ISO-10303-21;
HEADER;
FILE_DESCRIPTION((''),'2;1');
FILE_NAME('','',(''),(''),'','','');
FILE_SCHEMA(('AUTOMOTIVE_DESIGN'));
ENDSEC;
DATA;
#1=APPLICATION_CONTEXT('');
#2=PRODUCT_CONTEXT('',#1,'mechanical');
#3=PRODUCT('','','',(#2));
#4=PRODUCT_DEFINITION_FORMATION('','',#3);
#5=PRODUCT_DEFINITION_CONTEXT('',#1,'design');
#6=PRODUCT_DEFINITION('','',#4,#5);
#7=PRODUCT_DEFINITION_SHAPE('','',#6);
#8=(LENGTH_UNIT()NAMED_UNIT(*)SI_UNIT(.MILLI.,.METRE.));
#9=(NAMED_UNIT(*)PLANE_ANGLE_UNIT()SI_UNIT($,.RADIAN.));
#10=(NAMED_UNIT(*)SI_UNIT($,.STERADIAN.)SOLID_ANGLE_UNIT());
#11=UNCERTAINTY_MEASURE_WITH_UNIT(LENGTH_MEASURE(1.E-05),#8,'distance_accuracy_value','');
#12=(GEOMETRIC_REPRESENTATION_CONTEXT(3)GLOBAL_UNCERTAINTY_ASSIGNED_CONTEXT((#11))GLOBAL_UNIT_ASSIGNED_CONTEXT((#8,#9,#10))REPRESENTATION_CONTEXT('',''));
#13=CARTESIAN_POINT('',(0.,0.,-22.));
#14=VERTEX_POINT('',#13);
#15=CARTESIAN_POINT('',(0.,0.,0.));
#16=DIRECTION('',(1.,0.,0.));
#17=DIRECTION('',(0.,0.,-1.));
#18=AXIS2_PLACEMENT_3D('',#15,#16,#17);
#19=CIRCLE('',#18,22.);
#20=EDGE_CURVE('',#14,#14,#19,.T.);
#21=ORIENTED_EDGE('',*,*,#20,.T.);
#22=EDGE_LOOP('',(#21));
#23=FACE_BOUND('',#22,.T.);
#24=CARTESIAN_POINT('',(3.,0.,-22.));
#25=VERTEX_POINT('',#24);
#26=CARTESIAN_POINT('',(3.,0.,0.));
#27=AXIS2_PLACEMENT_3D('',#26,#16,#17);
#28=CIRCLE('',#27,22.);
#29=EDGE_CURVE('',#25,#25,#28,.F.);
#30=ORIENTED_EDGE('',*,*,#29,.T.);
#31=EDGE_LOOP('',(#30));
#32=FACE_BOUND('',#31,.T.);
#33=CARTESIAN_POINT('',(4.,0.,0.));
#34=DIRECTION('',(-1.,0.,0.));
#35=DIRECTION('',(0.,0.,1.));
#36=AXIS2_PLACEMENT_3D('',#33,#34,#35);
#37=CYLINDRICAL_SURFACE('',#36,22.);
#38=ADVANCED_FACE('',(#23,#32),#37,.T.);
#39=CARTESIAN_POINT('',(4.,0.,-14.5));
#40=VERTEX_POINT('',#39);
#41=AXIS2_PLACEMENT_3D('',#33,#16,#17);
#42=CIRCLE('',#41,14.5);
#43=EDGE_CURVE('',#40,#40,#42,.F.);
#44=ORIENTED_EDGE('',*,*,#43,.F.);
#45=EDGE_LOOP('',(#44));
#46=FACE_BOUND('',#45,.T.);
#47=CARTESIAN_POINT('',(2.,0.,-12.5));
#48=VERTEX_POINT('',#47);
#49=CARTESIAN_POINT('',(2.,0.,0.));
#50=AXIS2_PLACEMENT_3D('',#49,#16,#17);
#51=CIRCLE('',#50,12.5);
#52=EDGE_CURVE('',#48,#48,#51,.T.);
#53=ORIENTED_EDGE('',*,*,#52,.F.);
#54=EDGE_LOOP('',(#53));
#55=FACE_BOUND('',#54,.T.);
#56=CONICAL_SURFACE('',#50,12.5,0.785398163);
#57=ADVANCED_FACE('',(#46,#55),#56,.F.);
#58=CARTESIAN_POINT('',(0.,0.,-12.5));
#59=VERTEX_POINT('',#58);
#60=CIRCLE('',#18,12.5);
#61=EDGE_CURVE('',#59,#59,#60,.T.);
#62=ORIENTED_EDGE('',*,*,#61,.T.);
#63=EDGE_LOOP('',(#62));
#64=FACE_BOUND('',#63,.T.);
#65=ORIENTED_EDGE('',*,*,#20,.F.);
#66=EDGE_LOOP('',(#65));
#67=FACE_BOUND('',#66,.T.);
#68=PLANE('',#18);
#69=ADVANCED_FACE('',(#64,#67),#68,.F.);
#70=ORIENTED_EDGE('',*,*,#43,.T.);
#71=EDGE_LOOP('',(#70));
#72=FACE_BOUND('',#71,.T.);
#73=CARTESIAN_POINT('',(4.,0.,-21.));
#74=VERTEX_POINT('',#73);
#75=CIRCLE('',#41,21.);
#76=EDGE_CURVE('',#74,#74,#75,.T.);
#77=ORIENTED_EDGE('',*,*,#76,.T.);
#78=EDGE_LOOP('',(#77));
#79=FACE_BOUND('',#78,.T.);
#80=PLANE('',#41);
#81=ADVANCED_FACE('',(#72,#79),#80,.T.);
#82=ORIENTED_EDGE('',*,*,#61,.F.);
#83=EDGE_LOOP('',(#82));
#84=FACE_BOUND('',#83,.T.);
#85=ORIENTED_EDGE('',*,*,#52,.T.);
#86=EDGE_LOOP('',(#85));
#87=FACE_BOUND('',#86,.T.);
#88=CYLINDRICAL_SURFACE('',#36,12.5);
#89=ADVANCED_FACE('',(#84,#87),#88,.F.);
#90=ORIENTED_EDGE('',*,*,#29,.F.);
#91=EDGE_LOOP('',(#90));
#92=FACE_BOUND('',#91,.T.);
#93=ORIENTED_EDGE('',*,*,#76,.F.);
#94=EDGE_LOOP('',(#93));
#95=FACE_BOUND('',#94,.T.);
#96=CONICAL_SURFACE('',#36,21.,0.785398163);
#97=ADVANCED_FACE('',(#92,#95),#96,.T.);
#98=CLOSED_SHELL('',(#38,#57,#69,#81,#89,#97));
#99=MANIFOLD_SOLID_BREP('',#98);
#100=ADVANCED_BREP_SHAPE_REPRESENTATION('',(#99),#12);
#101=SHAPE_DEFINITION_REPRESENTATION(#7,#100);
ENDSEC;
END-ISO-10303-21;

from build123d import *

# Parameters (mm, degrees)
SKETCH1_R          = 22
SKETCH1_R_2        = 12.5
BASE_EXTRUDE_DEPTH = 4
IDCHAMFER_SIZE     = 2
ODCHAMFER_SIZE     = 1


with BuildPart() as part:
    # Sketch1 → Base-Extrude (new body)
    with BuildSketch(Plane(origin=(0, 0, 0), x_dir=(0, 0, -1), z_dir=(1, 0, 0))):
        Circle(SKETCH1_R)
        Circle(SKETCH1_R_2, mode=Mode.SUBTRACT)
    extrude(amount=BASE_EXTRUDE_DEPTH)

    # IDchamfer
    idchamfer_edges = [part.edges().sort_by_distance(p)[0] for p in [
        (4, 0, 12.5),
    ]]
    chamfer(idchamfer_edges, length=IDCHAMFER_SIZE)

    # ODchamfer
    odchamfer_edges = [part.edges().sort_by_distance(p)[0] for p in [
        (4, 0, 22),
    ]]
    chamfer(odchamfer_edges, length=ODCHAMFER_SIZE)


solid = part.part
